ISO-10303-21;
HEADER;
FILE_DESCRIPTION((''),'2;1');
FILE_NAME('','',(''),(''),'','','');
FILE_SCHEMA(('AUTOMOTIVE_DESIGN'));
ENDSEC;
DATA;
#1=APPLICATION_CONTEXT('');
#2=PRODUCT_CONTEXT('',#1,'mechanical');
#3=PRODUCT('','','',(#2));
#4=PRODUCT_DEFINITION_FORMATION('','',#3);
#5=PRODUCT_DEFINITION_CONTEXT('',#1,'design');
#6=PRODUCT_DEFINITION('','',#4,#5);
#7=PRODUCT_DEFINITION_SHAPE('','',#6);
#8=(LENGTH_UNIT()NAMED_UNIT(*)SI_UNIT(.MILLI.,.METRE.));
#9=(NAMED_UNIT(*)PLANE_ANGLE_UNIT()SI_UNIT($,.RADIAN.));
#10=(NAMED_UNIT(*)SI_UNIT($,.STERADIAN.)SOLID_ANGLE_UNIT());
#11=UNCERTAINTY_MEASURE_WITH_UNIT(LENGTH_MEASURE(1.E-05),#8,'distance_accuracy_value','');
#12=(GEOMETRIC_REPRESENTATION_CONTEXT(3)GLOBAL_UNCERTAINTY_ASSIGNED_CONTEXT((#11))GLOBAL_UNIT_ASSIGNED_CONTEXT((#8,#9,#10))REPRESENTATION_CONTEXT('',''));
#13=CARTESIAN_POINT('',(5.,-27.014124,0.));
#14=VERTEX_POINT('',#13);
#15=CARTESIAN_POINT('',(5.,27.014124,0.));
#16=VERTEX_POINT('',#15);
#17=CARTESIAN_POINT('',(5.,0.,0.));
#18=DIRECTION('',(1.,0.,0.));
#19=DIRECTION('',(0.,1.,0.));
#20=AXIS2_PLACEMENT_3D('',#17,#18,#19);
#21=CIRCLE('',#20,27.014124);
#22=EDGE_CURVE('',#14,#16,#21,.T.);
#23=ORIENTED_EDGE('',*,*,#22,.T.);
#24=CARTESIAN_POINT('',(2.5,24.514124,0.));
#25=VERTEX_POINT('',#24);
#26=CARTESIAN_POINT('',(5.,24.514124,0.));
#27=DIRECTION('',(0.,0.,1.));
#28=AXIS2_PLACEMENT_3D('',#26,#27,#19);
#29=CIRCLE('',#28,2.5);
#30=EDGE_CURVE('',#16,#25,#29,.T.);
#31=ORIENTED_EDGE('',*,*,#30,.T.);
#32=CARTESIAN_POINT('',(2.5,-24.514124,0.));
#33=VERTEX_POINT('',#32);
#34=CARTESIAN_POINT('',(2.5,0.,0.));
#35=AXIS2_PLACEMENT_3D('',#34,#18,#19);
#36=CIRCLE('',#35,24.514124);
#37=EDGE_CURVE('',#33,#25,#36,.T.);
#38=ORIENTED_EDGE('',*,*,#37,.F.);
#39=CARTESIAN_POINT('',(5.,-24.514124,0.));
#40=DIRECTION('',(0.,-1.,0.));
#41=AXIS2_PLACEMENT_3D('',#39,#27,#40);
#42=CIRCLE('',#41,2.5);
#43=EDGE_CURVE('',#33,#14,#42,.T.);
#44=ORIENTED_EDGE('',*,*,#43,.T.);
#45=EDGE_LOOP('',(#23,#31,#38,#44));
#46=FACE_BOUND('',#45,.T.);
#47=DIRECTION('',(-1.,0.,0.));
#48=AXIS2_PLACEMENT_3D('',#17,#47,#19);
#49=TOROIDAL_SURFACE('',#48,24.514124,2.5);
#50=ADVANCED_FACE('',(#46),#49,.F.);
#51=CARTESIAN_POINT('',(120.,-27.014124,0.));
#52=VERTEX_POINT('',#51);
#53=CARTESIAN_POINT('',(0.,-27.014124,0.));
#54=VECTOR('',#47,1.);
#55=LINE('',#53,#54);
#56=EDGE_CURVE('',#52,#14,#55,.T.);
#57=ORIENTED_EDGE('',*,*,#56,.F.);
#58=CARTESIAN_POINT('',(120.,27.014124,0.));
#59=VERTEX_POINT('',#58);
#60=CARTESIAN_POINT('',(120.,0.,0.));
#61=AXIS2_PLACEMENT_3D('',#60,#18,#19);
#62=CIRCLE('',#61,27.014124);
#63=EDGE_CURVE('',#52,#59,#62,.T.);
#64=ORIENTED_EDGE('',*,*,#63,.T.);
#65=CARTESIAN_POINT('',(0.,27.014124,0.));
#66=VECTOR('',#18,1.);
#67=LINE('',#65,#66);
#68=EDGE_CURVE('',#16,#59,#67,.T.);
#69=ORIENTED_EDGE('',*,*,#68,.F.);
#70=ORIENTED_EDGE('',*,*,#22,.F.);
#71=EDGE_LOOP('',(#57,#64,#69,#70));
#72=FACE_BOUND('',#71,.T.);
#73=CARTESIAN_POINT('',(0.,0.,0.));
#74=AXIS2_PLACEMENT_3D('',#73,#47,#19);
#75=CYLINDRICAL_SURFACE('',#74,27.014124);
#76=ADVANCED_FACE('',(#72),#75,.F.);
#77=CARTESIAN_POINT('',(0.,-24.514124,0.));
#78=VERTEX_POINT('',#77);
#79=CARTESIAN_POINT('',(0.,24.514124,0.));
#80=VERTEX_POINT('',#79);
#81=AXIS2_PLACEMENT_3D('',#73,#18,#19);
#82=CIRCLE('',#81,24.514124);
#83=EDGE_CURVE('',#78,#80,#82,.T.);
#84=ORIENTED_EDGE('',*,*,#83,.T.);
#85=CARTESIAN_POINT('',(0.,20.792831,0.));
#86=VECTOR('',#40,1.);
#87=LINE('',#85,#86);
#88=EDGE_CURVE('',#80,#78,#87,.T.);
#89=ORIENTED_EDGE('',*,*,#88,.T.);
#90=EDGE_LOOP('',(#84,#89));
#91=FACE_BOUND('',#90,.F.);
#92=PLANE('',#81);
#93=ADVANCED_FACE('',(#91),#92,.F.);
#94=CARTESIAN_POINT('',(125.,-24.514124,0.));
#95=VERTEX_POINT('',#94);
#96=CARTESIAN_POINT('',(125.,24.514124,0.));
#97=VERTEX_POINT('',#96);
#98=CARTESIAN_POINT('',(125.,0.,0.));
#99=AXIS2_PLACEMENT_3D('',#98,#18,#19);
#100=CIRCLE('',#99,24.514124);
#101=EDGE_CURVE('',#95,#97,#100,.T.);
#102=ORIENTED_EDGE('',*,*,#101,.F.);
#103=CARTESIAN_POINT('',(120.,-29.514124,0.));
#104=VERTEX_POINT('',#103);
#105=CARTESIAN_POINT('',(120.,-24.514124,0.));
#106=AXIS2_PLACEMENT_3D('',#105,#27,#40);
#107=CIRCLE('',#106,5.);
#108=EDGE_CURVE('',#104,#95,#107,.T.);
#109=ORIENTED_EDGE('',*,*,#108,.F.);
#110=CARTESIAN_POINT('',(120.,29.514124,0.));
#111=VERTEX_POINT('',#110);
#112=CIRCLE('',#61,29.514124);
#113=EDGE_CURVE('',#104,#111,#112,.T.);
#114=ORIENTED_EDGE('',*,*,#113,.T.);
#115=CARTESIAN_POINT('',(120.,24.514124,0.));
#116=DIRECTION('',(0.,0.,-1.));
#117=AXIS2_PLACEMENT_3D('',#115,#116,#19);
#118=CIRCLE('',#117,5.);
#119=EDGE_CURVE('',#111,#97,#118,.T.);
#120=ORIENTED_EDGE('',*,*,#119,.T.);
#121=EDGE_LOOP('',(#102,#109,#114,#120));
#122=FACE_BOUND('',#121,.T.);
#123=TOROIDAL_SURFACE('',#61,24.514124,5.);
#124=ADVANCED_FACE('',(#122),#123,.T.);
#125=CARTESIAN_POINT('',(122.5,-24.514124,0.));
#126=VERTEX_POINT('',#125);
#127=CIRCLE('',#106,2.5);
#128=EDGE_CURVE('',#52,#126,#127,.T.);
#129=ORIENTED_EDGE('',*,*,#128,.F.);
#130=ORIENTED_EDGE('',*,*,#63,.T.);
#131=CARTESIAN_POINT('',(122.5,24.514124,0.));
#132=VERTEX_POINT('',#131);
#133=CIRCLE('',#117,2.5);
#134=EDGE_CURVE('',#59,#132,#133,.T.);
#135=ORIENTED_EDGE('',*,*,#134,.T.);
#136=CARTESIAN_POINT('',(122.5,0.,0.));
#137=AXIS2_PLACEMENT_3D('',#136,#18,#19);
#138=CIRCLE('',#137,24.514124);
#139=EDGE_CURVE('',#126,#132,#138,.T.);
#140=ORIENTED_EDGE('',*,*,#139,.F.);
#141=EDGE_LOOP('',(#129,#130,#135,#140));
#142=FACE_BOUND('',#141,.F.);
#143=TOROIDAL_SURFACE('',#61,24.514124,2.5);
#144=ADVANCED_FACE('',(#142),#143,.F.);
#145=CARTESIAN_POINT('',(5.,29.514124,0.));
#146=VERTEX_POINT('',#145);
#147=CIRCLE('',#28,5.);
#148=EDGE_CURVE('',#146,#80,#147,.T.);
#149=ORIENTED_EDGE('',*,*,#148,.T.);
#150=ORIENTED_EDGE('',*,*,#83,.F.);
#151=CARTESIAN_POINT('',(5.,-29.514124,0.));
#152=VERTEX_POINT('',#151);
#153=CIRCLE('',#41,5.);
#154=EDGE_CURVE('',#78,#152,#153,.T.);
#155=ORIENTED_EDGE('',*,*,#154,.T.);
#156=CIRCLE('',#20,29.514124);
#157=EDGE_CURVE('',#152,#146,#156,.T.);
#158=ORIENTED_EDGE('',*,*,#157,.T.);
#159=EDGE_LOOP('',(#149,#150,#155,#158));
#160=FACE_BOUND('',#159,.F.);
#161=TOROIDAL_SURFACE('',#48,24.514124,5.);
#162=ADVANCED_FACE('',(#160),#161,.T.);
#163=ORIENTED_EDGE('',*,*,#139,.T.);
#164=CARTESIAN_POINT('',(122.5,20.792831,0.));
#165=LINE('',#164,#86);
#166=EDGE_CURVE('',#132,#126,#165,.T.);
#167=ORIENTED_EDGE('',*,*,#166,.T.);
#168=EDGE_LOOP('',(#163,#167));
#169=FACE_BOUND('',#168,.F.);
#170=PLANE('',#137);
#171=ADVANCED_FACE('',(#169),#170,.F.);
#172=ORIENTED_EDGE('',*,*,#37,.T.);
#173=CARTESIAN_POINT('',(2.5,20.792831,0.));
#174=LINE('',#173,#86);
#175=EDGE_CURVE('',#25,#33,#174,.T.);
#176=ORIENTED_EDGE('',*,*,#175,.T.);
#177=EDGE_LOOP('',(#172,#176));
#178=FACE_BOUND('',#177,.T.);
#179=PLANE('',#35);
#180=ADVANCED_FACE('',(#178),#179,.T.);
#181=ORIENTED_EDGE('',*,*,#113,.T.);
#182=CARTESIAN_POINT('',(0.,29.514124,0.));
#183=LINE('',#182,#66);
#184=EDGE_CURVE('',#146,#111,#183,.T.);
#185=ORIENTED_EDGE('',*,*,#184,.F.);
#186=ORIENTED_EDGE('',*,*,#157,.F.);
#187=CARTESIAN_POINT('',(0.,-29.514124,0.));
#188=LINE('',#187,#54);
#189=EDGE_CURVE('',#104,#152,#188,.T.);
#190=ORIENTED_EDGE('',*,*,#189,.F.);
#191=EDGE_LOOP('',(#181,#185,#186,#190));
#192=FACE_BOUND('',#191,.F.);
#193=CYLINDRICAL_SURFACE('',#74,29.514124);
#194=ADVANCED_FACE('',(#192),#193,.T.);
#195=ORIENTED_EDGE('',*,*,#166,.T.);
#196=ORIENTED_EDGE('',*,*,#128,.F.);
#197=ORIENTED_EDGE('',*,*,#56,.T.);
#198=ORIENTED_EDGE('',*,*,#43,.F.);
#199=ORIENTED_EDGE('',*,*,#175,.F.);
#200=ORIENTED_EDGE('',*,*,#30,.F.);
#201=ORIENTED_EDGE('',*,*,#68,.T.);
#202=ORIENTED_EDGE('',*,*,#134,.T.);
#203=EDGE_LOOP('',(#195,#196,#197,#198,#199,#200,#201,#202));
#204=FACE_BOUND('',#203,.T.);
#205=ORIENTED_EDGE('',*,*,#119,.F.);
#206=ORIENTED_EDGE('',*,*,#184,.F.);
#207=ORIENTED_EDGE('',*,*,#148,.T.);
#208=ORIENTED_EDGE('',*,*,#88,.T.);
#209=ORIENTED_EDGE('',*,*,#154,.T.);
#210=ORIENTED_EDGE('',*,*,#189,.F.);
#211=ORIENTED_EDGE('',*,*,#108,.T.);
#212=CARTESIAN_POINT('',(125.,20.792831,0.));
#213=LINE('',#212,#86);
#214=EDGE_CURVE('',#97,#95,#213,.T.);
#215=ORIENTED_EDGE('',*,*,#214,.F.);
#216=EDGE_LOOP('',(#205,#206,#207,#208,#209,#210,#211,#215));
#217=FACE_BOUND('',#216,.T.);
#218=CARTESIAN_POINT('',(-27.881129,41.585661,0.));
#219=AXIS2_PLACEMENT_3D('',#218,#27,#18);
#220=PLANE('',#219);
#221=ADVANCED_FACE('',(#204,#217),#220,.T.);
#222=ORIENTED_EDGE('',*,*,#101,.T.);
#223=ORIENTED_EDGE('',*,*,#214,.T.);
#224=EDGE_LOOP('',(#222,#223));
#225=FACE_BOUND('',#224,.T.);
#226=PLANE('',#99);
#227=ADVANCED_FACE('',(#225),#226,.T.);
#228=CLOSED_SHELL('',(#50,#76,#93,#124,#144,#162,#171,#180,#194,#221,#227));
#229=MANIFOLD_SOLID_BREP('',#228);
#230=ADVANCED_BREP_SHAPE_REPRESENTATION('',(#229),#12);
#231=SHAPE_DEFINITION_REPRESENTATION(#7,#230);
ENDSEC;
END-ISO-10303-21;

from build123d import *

# Parameters (mm, degrees)
F0_R     = 29.5141239903
F1_DEPTH = 125
F2_R     = 5
F3_W     = 373.883869499
F3_H     = 179.5099824667
F4_DEPTH = 29.5151239903
F5_T     = -2.5


with BuildPart() as f1:
    # F0 (on Right) → F1 (new body)
    with BuildSketch(Plane.YZ):
        Circle(F0_R)
    extrude(amount=F1_DEPTH)

    # F2
    f2_edges = [f1.edges().sort_by_distance(p)[0] for p in [
        (0, -29.514124, 0),
        (125, -29.514124, 0),
    ]]
    fillet(f2_edges, radius=F2_R)

    # F3 (on Top) → F4 (cut, through all)
    with BuildSketch(Plane.XY):
        with Locations((-27.8811287135, 41.5856614709)):
            Rectangle(F3_W, F3_H)
    extrude(amount=F4_DEPTH, mode=Mode.SUBTRACT)

    # F5
    f5_openings = [f1.faces().sort_by_distance(p)[0] for p in [
        (62.5, 0, 0),
    ]]
    offset(amount=F5_T, openings=f5_openings)


solid = f1.part
